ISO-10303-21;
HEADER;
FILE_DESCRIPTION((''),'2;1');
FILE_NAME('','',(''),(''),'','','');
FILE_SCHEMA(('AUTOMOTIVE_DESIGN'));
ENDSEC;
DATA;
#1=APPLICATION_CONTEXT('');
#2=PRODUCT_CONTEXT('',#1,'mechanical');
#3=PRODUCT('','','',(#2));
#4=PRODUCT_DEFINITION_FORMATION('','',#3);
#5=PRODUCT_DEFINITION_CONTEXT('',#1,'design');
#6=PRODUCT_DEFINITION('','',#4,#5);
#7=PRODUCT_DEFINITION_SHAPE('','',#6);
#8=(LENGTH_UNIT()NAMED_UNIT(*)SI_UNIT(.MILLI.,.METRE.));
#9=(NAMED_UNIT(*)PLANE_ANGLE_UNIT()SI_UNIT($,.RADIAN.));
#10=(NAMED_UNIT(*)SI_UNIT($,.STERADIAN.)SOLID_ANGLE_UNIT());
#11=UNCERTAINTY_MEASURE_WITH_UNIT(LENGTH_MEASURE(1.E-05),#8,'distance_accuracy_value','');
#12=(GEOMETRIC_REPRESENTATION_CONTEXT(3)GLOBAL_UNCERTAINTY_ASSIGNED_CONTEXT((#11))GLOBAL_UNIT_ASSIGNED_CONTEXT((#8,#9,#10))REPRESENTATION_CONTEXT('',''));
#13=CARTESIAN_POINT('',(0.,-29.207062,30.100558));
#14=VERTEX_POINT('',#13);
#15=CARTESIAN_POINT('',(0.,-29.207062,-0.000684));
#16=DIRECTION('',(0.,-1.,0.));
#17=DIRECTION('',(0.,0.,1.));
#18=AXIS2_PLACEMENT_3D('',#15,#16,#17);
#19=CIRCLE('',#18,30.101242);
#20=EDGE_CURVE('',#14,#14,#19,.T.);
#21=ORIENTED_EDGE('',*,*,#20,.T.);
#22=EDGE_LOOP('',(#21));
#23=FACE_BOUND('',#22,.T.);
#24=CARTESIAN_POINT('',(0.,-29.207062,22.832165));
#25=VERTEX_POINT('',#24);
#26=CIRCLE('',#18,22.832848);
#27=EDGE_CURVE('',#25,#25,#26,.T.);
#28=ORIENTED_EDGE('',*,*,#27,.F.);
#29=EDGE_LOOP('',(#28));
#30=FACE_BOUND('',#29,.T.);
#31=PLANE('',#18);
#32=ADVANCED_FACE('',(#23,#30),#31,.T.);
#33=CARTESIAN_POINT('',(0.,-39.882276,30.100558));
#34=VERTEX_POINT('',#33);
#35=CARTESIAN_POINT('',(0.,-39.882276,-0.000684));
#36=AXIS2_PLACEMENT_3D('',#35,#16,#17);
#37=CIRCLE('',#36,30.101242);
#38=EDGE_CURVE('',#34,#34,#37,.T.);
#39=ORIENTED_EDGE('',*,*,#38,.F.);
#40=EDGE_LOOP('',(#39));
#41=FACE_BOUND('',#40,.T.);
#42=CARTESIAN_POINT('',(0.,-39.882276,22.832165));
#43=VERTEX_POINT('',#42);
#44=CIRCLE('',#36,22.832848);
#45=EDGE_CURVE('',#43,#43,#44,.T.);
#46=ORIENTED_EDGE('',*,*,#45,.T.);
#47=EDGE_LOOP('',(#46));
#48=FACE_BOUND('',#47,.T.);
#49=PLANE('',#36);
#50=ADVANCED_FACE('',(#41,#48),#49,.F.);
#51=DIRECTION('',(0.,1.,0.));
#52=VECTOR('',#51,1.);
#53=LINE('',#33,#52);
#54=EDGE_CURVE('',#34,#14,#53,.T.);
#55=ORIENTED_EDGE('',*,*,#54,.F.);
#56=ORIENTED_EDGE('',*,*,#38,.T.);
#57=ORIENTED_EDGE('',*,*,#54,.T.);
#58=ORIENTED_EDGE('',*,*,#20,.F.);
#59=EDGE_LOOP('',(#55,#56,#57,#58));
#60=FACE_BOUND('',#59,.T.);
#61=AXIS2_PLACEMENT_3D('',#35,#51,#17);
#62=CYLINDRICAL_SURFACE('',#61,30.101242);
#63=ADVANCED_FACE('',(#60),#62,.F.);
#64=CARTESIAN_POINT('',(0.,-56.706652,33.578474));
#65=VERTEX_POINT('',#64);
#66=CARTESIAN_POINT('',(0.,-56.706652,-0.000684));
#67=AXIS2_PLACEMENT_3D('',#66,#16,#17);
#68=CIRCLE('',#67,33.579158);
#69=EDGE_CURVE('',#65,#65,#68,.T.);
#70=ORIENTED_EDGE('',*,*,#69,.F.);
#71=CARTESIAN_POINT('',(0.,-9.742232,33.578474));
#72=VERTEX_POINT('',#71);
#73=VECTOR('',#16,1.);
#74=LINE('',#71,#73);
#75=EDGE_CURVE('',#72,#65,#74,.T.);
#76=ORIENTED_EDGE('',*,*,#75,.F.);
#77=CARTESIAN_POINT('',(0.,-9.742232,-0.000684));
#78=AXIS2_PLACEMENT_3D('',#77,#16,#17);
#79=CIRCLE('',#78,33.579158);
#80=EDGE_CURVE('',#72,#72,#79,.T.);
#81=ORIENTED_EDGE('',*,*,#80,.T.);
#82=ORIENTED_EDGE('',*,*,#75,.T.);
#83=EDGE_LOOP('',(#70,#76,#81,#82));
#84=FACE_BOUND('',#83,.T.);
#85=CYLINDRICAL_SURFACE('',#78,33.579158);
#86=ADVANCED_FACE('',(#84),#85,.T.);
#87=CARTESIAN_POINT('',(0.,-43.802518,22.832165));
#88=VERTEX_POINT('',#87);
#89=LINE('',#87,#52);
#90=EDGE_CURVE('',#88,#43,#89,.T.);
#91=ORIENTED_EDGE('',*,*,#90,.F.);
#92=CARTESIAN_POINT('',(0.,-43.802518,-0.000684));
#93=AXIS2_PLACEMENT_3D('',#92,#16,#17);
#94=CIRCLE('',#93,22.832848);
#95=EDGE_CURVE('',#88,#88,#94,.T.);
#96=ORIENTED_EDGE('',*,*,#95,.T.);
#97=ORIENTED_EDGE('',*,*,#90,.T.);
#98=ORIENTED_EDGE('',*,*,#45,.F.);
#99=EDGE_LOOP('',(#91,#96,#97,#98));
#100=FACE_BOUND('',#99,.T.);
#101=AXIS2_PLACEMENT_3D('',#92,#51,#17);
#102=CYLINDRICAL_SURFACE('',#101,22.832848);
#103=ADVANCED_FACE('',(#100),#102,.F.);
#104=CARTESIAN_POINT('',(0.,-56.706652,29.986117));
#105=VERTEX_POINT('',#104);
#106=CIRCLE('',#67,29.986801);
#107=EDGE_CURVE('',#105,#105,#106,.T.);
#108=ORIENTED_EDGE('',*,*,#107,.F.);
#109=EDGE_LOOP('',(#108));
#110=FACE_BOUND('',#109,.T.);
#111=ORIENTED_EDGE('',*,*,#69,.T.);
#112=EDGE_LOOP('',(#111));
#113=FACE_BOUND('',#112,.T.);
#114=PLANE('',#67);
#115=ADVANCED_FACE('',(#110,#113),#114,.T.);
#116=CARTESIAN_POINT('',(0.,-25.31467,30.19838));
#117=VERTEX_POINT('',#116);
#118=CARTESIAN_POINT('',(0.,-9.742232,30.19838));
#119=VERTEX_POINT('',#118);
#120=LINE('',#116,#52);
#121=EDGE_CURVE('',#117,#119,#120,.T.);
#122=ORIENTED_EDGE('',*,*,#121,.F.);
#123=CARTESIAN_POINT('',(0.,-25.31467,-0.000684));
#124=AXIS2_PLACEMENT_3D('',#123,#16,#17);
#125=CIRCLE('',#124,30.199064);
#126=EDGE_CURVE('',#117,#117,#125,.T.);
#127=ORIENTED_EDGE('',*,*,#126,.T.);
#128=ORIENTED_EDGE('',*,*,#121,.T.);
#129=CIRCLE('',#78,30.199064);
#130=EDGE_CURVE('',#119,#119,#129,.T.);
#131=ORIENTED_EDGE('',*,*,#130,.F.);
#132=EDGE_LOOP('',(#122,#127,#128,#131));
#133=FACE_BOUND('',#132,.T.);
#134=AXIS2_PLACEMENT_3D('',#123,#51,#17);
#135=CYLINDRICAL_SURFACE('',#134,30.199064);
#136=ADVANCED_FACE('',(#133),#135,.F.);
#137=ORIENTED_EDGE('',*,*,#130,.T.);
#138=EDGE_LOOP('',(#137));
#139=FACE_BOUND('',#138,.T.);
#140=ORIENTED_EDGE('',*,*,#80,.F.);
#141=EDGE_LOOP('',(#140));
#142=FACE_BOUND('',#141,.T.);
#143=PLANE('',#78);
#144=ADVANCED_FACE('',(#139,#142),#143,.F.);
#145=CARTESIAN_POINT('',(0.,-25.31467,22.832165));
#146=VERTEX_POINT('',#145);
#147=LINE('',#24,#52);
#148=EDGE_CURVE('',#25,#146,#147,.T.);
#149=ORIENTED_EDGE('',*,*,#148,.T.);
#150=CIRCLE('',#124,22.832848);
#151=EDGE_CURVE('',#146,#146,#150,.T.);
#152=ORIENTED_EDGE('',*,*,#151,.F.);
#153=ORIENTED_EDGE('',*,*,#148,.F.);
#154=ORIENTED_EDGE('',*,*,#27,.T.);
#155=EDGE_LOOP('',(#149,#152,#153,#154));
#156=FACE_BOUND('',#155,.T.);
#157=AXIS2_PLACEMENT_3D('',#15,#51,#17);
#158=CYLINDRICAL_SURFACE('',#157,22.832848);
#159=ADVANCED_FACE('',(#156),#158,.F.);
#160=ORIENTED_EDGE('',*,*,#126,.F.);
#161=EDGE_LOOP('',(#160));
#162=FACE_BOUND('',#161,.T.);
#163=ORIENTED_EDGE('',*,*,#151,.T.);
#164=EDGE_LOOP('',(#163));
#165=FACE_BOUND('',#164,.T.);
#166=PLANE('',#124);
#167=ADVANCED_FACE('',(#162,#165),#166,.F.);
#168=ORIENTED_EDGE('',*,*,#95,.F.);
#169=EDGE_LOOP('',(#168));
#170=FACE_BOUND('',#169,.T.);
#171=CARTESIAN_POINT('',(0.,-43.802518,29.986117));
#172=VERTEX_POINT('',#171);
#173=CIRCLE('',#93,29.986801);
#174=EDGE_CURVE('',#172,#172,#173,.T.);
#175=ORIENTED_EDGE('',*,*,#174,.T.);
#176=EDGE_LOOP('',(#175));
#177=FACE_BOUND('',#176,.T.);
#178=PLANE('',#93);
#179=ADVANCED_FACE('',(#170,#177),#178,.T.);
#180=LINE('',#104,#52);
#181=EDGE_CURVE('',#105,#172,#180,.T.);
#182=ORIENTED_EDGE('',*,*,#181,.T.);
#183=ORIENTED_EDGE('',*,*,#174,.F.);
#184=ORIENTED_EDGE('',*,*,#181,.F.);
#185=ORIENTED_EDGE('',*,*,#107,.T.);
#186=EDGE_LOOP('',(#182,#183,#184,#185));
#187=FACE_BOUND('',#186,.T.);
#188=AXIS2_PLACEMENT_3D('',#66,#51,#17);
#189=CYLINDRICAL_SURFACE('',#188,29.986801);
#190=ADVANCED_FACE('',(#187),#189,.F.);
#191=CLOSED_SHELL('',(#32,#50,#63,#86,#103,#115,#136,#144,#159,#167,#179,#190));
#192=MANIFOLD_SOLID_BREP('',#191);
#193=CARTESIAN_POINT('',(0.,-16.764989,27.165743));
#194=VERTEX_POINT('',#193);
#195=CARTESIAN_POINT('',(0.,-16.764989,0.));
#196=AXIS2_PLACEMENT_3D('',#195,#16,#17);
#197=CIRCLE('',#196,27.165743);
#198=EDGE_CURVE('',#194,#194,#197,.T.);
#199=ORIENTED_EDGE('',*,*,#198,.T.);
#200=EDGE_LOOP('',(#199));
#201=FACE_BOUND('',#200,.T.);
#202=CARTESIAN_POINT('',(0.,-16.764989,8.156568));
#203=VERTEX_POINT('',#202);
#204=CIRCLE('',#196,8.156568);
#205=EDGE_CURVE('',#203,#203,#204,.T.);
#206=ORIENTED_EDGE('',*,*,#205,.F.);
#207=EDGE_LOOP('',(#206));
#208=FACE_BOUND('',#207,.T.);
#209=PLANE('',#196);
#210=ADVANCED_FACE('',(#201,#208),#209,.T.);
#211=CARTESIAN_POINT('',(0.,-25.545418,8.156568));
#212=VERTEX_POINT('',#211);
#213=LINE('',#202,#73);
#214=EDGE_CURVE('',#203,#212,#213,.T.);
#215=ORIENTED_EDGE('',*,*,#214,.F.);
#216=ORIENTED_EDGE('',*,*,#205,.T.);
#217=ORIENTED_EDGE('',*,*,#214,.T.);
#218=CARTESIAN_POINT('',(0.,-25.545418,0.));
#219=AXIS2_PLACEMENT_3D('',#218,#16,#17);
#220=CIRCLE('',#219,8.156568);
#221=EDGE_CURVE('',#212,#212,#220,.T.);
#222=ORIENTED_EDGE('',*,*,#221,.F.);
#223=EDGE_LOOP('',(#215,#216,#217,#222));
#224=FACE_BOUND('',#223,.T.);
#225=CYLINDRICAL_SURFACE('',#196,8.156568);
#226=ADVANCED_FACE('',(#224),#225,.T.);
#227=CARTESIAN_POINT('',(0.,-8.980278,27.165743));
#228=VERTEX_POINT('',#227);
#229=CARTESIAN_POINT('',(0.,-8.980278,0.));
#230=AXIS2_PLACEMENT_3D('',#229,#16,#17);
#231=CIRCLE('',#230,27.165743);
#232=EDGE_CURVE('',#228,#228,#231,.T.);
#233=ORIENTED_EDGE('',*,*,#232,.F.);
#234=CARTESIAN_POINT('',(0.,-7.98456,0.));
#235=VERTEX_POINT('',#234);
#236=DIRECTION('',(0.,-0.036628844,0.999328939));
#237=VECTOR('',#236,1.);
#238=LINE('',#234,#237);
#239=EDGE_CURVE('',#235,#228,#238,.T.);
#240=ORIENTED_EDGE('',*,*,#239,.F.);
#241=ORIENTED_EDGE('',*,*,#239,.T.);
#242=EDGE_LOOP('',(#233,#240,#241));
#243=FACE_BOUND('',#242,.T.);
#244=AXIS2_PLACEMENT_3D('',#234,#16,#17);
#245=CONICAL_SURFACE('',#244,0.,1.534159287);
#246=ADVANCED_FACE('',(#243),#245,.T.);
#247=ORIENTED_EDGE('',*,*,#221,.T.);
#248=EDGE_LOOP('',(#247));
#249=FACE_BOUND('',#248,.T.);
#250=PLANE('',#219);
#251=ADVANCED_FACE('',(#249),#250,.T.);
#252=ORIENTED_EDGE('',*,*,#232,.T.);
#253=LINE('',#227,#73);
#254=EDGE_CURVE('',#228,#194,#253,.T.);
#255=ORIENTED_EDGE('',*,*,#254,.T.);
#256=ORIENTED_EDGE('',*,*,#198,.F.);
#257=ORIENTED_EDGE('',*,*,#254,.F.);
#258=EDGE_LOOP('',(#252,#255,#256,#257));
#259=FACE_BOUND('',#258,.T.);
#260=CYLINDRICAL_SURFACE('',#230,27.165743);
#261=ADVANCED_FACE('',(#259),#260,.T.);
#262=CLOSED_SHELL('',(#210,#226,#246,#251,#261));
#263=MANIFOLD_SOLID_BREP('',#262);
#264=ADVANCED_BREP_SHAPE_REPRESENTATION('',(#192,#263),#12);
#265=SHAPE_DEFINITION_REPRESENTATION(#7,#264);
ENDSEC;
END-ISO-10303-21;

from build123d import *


with BuildPart() as f1:
    # F0 (on Right) → F1 (revolve)
    with BuildSketch(Plane.YZ):
        Polygon((-25.5454182625, 0), (-7.984559983, 0), (-8.9802779257, 27.165742591), (-16.7649891227, 27.165742591), (-16.7649891227, 8.156567812), (-25.5454182625, 8.156567812), align=None)
    revolve(axis=Axis((0, -16.7649891227, 0), (0, -1, 0)))


with BuildPart() as f3:
    # F2 (on Right) → F3 (revolve)
    with BuildSketch(Plane.YZ):
        Polygon((-25.3146700561, 30.1983803511), (-9.7422320396, 30.1983803511), (-9.7422320396, 33.5784740746), (-18.8029632679, 33.5784740746), (-56.7066520452, 33.5784740746), (-56.7066520452, 29.9861170352), (-43.8025183976, 29.9861170352), (-43.8025183976, 22.8321645409), (-39.8822762072, 22.8321645409), (-39.8822762072, 30.1005579531), (-29.2070619762, 30.1005579531), (-29.2070619762, 22.8321645409), (-25.3146700561, 22.8321645409), align=None)
    revolve(axis=Axis((0, -29.852210544, -0.0006835908), (0, -1, 0)))


solid = Compound([f1.part, f3.part])
